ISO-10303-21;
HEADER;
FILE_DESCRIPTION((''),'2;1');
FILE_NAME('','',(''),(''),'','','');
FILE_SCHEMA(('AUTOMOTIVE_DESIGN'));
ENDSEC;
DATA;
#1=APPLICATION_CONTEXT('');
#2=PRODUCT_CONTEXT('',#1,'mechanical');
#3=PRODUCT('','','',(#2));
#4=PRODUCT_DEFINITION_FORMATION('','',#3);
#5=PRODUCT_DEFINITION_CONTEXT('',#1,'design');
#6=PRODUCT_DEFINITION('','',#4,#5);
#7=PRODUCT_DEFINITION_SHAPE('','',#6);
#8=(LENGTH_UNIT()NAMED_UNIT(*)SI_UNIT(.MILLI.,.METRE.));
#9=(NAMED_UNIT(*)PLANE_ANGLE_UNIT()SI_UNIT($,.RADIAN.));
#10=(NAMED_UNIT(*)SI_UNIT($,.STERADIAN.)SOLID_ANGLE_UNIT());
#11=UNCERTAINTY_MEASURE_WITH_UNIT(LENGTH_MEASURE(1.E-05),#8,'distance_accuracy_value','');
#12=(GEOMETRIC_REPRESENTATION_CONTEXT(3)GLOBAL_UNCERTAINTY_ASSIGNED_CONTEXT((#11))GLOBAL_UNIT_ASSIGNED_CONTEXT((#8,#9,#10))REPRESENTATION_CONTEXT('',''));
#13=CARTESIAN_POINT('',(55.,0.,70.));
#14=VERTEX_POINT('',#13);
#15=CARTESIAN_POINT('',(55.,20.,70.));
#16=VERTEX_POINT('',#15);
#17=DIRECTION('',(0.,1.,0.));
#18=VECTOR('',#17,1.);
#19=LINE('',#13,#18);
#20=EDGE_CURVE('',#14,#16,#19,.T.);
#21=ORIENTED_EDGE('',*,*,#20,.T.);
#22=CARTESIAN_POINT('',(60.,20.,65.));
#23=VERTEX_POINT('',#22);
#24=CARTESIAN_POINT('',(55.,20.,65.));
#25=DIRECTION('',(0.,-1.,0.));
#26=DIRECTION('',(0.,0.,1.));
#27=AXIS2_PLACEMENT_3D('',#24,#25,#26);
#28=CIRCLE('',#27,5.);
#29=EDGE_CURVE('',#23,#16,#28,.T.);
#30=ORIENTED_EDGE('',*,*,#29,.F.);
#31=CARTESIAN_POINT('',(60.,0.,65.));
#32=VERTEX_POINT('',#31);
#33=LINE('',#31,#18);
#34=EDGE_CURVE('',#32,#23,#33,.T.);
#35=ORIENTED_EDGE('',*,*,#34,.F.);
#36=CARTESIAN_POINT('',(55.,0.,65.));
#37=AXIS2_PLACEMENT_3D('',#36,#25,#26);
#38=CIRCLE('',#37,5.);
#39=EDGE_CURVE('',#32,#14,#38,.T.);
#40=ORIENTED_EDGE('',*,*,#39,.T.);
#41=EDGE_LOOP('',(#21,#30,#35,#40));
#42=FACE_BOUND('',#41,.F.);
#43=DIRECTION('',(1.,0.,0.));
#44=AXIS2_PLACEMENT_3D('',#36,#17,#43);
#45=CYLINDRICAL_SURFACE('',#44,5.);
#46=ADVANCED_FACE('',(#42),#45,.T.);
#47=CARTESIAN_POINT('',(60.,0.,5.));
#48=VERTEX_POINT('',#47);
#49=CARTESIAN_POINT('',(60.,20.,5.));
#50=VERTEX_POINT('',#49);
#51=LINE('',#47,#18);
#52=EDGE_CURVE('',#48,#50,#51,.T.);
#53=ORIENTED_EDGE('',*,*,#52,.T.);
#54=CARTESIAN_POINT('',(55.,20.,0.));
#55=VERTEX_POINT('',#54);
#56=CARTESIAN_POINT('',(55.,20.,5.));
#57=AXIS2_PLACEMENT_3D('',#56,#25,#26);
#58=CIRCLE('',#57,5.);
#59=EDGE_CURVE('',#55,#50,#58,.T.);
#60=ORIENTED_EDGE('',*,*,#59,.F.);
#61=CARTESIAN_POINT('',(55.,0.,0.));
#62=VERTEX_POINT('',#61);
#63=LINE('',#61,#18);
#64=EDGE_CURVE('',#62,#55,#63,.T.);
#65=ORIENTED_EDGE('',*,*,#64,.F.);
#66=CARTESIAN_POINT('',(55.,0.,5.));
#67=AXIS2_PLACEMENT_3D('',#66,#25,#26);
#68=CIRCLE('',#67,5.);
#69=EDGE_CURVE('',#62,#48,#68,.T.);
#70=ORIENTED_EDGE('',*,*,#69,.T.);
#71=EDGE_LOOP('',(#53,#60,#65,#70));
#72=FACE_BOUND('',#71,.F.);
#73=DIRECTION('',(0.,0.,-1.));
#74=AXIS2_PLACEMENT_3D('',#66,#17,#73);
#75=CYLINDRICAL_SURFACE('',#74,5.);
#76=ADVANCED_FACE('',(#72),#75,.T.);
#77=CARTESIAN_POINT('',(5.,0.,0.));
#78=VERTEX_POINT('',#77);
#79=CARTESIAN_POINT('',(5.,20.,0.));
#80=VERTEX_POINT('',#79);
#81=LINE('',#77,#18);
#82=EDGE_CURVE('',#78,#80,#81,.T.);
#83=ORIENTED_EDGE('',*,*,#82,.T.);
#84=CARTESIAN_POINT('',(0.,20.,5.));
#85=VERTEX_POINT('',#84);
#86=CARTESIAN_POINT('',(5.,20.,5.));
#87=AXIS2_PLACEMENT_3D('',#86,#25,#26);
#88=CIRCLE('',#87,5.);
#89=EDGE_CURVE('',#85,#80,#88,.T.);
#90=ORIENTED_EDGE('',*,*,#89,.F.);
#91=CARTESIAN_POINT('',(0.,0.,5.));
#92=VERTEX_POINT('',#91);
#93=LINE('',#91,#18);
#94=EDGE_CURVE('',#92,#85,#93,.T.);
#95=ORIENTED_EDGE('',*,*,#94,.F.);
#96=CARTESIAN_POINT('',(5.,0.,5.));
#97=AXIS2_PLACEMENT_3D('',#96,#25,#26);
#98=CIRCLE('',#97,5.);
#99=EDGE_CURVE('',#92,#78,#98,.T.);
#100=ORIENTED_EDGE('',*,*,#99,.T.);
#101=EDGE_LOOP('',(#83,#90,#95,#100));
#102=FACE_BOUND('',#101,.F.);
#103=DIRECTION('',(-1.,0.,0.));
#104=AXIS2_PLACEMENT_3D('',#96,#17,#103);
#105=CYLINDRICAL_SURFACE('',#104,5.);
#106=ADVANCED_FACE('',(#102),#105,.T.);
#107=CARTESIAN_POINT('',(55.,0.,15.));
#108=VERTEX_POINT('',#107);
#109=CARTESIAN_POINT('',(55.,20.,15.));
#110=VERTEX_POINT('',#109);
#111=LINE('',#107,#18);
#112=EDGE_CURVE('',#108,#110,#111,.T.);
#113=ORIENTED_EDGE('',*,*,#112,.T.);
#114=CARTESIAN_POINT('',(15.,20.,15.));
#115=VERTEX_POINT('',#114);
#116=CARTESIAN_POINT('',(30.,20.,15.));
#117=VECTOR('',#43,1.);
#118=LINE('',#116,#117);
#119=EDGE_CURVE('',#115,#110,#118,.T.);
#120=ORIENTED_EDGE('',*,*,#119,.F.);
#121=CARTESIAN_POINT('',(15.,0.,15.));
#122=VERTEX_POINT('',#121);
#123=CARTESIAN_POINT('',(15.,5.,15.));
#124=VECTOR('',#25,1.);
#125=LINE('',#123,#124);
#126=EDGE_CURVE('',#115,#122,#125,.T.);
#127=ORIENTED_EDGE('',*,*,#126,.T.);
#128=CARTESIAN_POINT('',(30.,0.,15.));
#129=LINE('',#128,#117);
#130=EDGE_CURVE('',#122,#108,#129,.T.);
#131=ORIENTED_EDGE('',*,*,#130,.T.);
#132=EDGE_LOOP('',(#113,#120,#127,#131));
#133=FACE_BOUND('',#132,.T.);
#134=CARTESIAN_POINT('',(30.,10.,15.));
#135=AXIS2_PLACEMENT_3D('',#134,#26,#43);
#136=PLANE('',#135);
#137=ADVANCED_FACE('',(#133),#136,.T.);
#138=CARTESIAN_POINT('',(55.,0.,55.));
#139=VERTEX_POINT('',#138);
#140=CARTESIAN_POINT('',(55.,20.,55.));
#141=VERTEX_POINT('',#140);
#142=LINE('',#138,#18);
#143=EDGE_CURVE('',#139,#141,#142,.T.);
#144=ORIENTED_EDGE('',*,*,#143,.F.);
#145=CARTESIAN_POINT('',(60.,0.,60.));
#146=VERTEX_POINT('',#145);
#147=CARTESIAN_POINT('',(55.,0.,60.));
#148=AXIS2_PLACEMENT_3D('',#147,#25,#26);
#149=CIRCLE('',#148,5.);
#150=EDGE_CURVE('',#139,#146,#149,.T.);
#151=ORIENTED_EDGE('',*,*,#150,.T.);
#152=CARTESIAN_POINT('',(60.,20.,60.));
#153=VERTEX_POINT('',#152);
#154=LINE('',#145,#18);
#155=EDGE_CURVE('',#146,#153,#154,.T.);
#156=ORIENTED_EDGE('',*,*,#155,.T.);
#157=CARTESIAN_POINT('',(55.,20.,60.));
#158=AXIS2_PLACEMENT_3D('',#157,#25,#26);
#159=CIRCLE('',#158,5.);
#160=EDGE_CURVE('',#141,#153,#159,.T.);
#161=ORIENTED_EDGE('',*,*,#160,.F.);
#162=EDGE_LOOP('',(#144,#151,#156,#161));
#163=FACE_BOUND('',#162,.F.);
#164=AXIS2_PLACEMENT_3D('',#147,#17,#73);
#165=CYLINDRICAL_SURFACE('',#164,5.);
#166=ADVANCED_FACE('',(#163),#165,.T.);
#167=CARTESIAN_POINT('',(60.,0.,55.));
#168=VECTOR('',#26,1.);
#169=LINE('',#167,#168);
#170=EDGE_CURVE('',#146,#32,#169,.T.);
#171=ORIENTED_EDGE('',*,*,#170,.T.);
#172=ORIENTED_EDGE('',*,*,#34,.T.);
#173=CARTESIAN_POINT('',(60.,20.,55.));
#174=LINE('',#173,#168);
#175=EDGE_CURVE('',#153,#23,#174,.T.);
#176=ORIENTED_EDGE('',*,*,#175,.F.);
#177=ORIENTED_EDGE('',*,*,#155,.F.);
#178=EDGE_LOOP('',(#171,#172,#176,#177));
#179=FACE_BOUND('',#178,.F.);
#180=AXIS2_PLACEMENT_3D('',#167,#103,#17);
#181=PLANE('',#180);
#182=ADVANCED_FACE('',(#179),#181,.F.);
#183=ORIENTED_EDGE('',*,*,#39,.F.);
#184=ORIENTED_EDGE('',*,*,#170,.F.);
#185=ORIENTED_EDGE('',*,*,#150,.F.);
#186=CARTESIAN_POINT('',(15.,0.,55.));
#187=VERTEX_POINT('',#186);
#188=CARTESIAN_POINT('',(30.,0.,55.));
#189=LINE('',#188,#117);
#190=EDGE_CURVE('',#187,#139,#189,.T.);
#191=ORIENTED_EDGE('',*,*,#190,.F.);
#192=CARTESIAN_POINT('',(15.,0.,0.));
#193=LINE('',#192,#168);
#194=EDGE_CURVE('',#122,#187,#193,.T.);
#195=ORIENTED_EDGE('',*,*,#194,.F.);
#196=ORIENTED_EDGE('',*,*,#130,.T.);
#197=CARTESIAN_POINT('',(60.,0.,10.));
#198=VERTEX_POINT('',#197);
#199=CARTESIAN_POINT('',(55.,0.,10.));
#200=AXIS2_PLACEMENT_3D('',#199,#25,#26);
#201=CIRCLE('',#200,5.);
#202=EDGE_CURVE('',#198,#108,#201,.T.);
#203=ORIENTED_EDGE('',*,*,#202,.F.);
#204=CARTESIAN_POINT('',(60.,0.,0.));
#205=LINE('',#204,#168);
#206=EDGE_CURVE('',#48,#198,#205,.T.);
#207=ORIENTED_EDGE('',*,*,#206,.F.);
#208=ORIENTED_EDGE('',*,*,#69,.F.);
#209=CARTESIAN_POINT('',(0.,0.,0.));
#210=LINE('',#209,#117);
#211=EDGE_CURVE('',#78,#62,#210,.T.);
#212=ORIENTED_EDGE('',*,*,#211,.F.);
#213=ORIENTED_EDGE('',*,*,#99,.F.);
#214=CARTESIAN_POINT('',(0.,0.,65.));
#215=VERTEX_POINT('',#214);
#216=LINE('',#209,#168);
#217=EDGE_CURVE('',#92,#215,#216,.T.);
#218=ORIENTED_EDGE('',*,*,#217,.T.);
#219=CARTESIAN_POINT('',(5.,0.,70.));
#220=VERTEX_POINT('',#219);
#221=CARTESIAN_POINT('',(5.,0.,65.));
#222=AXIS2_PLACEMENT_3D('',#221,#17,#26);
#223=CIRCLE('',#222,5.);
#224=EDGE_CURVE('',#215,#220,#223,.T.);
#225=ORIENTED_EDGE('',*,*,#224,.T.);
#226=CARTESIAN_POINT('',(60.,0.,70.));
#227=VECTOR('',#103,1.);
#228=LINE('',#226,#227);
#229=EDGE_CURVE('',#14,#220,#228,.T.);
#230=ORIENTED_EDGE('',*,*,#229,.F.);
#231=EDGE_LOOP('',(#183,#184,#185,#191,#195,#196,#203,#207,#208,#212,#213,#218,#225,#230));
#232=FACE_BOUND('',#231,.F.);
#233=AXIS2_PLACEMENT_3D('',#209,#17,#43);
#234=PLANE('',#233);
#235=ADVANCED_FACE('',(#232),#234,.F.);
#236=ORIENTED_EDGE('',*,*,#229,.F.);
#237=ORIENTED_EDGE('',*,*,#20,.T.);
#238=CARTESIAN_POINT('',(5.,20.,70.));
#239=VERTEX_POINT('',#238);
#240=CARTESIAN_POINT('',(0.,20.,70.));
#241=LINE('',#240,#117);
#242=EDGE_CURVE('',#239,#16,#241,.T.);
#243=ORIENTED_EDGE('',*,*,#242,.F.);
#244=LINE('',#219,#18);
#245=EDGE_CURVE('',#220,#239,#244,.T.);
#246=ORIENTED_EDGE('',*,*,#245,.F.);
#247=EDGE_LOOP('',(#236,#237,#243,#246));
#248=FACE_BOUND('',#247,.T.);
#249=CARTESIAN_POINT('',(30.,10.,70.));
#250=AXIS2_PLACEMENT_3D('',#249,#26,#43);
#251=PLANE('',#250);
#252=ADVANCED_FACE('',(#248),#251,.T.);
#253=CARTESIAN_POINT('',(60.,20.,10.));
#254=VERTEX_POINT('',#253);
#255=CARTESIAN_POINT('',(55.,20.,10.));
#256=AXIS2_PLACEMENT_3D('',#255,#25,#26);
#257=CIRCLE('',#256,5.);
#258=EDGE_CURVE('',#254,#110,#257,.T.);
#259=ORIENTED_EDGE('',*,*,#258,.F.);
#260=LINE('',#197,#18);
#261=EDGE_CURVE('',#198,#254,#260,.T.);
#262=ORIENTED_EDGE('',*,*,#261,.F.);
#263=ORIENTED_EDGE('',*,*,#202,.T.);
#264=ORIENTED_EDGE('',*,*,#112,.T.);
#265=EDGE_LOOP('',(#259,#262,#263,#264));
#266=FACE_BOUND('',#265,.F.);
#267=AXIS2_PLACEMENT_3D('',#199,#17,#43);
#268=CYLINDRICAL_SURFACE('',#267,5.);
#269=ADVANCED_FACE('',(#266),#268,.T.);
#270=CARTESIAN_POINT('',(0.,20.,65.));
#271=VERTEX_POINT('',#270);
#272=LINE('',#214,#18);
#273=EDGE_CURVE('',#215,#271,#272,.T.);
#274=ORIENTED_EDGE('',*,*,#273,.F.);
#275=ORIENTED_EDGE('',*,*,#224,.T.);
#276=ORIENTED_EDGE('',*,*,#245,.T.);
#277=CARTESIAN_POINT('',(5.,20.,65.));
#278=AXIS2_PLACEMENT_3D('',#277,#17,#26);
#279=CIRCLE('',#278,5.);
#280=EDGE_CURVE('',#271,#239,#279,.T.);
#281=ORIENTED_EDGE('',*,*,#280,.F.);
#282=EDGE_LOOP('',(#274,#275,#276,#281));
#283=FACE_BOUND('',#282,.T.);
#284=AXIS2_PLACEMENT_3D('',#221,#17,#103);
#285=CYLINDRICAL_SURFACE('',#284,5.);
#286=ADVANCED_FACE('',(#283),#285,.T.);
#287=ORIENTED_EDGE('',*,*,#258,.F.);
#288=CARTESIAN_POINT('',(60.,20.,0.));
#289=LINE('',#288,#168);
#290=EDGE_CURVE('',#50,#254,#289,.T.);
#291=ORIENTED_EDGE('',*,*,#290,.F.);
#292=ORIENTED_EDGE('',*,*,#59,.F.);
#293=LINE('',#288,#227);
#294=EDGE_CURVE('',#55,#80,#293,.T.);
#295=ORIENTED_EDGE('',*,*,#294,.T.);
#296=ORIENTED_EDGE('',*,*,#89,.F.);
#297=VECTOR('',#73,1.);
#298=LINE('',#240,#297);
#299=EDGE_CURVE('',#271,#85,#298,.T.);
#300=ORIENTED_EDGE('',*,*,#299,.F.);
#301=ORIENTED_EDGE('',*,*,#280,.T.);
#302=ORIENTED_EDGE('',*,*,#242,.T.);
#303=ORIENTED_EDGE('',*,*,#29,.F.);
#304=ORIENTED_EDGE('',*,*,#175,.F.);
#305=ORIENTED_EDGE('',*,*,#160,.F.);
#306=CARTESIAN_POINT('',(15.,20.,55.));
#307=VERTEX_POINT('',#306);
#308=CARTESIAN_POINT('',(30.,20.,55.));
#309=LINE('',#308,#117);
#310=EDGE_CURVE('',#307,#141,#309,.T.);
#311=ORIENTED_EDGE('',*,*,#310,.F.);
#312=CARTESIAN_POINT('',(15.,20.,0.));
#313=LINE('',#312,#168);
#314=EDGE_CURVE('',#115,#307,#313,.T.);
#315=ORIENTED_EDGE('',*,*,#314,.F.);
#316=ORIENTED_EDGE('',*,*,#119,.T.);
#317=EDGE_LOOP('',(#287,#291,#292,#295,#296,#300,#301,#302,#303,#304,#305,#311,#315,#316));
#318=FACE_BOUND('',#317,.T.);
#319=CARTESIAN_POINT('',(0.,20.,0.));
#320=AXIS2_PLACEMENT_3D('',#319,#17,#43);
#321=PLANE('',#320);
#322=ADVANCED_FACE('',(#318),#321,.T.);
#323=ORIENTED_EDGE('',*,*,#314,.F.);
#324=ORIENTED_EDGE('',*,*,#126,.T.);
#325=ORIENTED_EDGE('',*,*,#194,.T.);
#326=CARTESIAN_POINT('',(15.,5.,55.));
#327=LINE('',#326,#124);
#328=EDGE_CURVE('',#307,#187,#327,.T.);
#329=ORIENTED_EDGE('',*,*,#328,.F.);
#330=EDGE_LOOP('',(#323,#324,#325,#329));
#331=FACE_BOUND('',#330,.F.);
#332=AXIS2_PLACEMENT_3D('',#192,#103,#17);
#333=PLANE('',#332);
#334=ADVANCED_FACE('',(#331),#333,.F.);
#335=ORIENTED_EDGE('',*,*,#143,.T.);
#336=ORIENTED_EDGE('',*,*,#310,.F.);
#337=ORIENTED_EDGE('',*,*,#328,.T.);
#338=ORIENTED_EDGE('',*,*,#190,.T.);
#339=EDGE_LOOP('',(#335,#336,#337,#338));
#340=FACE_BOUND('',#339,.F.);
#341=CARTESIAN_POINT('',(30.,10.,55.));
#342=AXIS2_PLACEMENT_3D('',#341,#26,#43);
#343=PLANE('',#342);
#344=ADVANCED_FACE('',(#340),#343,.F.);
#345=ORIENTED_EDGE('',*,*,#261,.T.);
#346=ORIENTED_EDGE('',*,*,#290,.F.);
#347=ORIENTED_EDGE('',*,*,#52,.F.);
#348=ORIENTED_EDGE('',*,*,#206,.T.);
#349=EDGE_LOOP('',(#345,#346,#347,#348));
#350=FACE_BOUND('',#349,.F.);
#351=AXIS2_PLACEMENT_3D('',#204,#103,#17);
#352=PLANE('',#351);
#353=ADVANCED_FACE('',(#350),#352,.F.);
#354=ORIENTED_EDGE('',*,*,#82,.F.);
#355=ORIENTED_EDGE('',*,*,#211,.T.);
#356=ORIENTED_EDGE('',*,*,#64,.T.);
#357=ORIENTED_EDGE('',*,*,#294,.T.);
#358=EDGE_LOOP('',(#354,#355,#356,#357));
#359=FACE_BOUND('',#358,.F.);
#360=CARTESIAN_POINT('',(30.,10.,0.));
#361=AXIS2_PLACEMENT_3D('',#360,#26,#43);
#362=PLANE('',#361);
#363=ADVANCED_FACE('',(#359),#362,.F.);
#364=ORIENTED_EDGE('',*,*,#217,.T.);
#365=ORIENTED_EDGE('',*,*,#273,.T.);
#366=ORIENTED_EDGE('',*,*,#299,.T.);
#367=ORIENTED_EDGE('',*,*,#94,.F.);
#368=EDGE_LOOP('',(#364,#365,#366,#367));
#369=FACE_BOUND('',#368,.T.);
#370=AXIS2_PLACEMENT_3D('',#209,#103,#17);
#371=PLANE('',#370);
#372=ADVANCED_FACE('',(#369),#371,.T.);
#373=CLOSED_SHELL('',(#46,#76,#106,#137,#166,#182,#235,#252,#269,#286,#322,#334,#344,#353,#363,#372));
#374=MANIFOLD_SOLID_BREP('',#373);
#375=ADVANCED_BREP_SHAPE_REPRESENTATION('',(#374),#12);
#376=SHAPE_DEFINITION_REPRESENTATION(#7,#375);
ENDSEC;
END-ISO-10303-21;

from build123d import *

# Parameters (mm, degrees)
BOX_W        = 60
BOX_H        = 20
BOX_DEPTH    = 15
BOX001_W     = 15
BOX001_H     = 20
BOX001_DEPTH = 70
BOX002_W     = 60
BOX002_H     = 20
BOX002_DEPTH = 15
FILLET_R     = 5


with BuildPart() as cube:
    # Box → Box (new body)
    with BuildSketch(Plane.XY):
        with Locations((30, 10)):
            Rectangle(BOX_W, BOX_H)
    extrude(amount=BOX_DEPTH)


with BuildPart() as cube001:
    # Box001 → Box001 (new body)
    with BuildSketch(Plane.XY):
        with Locations((7.5, 10)):
            Rectangle(BOX001_W, BOX001_H)
    extrude(amount=BOX001_DEPTH)


with BuildPart() as fillet_body:
    # Box002 → Box002 (new body)
    with BuildSketch(Plane.XY.offset(55)):
        with Locations((30, 10)):
            Rectangle(BOX002_W, BOX002_H)
    extrude(amount=BOX002_DEPTH)

    # Fusion: union Cube, Cube001
    add(cube.part)
    add(cube001.part)

    # Fillet
    fillet_edges = [fillet_body.edges().sort_by_distance(p)[0] for p in [
        (0, 10, 70),
        (60, 10, 70),
        (0, 10, 0),
        (60, 10, 55),
        (60, 10, 15),
        (60, 10, 0),
    ]]
    fillet(fillet_edges, radius=FILLET_R)


solid = fillet_body.part
